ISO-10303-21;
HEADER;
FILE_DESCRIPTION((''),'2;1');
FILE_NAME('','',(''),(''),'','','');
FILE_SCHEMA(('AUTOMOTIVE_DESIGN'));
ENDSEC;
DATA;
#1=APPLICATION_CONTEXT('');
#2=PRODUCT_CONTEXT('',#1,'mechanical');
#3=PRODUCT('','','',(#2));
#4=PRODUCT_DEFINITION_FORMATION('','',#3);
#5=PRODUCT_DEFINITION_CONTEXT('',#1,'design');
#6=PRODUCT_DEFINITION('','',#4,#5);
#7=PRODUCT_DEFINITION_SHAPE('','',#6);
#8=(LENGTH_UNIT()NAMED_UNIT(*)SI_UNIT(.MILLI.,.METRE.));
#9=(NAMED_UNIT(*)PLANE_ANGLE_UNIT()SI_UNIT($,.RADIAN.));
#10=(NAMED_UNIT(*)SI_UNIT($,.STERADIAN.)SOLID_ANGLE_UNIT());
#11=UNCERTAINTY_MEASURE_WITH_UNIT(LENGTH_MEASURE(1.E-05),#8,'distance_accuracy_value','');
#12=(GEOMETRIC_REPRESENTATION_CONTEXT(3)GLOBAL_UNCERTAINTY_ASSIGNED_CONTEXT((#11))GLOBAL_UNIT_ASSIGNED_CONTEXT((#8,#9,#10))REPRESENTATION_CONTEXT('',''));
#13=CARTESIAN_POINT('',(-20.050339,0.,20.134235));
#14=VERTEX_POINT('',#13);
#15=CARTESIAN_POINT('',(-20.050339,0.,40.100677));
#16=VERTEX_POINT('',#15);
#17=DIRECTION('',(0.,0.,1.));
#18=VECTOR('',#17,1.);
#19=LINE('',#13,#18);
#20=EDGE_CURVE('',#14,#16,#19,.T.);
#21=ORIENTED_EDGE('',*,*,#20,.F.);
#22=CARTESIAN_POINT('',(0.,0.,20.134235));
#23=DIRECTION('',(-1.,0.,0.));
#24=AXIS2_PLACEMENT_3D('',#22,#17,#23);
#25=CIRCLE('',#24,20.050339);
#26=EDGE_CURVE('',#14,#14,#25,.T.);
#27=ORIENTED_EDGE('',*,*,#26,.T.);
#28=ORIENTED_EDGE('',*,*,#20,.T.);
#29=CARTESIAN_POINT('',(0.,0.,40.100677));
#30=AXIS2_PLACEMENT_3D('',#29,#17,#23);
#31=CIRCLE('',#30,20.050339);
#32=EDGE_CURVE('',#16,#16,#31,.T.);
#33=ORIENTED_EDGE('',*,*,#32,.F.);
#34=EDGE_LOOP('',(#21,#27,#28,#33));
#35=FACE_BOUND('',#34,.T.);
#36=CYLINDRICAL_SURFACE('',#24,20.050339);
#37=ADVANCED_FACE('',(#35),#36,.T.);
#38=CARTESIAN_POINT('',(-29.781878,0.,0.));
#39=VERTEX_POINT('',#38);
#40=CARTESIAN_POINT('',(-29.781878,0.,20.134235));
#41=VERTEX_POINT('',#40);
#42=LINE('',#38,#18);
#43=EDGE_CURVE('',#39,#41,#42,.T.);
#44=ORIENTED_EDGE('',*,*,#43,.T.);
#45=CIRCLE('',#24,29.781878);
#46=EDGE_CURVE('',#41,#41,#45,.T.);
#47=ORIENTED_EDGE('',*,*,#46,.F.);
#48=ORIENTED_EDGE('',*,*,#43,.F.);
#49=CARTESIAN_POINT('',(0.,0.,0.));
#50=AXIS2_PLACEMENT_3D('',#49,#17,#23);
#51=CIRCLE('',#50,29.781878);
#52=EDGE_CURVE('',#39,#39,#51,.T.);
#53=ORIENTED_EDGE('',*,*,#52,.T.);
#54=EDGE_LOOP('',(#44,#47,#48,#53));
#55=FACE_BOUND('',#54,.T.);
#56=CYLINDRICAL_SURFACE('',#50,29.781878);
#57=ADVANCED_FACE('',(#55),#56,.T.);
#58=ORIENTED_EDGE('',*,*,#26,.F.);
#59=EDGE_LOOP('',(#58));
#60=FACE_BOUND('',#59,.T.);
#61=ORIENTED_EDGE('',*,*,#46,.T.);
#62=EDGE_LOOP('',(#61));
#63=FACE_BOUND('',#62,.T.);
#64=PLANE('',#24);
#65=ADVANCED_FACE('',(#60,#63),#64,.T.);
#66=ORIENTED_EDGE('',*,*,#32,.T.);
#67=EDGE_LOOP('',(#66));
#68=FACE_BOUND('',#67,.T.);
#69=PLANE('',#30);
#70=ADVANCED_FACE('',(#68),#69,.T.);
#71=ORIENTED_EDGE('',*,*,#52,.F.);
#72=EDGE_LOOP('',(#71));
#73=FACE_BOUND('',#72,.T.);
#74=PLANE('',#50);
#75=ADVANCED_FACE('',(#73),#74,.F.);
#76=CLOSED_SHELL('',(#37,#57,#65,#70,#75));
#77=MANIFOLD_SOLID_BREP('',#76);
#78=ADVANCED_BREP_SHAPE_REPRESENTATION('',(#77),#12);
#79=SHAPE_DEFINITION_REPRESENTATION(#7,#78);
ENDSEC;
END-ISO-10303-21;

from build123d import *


with BuildPart() as part:
    # Sketch → Revolution (revolve)
    with BuildSketch(Plane.XZ):
        Polygon((0, 0), (-29.781878, 0), (-29.781878, 20.134235), (-20.050339, 20.134235), (-20.050339, 40.100677), (0, 40.100677), align=None)
    revolve(axis=Axis((0, 0, 0), (0, 0, 1)))


solid = part.part
